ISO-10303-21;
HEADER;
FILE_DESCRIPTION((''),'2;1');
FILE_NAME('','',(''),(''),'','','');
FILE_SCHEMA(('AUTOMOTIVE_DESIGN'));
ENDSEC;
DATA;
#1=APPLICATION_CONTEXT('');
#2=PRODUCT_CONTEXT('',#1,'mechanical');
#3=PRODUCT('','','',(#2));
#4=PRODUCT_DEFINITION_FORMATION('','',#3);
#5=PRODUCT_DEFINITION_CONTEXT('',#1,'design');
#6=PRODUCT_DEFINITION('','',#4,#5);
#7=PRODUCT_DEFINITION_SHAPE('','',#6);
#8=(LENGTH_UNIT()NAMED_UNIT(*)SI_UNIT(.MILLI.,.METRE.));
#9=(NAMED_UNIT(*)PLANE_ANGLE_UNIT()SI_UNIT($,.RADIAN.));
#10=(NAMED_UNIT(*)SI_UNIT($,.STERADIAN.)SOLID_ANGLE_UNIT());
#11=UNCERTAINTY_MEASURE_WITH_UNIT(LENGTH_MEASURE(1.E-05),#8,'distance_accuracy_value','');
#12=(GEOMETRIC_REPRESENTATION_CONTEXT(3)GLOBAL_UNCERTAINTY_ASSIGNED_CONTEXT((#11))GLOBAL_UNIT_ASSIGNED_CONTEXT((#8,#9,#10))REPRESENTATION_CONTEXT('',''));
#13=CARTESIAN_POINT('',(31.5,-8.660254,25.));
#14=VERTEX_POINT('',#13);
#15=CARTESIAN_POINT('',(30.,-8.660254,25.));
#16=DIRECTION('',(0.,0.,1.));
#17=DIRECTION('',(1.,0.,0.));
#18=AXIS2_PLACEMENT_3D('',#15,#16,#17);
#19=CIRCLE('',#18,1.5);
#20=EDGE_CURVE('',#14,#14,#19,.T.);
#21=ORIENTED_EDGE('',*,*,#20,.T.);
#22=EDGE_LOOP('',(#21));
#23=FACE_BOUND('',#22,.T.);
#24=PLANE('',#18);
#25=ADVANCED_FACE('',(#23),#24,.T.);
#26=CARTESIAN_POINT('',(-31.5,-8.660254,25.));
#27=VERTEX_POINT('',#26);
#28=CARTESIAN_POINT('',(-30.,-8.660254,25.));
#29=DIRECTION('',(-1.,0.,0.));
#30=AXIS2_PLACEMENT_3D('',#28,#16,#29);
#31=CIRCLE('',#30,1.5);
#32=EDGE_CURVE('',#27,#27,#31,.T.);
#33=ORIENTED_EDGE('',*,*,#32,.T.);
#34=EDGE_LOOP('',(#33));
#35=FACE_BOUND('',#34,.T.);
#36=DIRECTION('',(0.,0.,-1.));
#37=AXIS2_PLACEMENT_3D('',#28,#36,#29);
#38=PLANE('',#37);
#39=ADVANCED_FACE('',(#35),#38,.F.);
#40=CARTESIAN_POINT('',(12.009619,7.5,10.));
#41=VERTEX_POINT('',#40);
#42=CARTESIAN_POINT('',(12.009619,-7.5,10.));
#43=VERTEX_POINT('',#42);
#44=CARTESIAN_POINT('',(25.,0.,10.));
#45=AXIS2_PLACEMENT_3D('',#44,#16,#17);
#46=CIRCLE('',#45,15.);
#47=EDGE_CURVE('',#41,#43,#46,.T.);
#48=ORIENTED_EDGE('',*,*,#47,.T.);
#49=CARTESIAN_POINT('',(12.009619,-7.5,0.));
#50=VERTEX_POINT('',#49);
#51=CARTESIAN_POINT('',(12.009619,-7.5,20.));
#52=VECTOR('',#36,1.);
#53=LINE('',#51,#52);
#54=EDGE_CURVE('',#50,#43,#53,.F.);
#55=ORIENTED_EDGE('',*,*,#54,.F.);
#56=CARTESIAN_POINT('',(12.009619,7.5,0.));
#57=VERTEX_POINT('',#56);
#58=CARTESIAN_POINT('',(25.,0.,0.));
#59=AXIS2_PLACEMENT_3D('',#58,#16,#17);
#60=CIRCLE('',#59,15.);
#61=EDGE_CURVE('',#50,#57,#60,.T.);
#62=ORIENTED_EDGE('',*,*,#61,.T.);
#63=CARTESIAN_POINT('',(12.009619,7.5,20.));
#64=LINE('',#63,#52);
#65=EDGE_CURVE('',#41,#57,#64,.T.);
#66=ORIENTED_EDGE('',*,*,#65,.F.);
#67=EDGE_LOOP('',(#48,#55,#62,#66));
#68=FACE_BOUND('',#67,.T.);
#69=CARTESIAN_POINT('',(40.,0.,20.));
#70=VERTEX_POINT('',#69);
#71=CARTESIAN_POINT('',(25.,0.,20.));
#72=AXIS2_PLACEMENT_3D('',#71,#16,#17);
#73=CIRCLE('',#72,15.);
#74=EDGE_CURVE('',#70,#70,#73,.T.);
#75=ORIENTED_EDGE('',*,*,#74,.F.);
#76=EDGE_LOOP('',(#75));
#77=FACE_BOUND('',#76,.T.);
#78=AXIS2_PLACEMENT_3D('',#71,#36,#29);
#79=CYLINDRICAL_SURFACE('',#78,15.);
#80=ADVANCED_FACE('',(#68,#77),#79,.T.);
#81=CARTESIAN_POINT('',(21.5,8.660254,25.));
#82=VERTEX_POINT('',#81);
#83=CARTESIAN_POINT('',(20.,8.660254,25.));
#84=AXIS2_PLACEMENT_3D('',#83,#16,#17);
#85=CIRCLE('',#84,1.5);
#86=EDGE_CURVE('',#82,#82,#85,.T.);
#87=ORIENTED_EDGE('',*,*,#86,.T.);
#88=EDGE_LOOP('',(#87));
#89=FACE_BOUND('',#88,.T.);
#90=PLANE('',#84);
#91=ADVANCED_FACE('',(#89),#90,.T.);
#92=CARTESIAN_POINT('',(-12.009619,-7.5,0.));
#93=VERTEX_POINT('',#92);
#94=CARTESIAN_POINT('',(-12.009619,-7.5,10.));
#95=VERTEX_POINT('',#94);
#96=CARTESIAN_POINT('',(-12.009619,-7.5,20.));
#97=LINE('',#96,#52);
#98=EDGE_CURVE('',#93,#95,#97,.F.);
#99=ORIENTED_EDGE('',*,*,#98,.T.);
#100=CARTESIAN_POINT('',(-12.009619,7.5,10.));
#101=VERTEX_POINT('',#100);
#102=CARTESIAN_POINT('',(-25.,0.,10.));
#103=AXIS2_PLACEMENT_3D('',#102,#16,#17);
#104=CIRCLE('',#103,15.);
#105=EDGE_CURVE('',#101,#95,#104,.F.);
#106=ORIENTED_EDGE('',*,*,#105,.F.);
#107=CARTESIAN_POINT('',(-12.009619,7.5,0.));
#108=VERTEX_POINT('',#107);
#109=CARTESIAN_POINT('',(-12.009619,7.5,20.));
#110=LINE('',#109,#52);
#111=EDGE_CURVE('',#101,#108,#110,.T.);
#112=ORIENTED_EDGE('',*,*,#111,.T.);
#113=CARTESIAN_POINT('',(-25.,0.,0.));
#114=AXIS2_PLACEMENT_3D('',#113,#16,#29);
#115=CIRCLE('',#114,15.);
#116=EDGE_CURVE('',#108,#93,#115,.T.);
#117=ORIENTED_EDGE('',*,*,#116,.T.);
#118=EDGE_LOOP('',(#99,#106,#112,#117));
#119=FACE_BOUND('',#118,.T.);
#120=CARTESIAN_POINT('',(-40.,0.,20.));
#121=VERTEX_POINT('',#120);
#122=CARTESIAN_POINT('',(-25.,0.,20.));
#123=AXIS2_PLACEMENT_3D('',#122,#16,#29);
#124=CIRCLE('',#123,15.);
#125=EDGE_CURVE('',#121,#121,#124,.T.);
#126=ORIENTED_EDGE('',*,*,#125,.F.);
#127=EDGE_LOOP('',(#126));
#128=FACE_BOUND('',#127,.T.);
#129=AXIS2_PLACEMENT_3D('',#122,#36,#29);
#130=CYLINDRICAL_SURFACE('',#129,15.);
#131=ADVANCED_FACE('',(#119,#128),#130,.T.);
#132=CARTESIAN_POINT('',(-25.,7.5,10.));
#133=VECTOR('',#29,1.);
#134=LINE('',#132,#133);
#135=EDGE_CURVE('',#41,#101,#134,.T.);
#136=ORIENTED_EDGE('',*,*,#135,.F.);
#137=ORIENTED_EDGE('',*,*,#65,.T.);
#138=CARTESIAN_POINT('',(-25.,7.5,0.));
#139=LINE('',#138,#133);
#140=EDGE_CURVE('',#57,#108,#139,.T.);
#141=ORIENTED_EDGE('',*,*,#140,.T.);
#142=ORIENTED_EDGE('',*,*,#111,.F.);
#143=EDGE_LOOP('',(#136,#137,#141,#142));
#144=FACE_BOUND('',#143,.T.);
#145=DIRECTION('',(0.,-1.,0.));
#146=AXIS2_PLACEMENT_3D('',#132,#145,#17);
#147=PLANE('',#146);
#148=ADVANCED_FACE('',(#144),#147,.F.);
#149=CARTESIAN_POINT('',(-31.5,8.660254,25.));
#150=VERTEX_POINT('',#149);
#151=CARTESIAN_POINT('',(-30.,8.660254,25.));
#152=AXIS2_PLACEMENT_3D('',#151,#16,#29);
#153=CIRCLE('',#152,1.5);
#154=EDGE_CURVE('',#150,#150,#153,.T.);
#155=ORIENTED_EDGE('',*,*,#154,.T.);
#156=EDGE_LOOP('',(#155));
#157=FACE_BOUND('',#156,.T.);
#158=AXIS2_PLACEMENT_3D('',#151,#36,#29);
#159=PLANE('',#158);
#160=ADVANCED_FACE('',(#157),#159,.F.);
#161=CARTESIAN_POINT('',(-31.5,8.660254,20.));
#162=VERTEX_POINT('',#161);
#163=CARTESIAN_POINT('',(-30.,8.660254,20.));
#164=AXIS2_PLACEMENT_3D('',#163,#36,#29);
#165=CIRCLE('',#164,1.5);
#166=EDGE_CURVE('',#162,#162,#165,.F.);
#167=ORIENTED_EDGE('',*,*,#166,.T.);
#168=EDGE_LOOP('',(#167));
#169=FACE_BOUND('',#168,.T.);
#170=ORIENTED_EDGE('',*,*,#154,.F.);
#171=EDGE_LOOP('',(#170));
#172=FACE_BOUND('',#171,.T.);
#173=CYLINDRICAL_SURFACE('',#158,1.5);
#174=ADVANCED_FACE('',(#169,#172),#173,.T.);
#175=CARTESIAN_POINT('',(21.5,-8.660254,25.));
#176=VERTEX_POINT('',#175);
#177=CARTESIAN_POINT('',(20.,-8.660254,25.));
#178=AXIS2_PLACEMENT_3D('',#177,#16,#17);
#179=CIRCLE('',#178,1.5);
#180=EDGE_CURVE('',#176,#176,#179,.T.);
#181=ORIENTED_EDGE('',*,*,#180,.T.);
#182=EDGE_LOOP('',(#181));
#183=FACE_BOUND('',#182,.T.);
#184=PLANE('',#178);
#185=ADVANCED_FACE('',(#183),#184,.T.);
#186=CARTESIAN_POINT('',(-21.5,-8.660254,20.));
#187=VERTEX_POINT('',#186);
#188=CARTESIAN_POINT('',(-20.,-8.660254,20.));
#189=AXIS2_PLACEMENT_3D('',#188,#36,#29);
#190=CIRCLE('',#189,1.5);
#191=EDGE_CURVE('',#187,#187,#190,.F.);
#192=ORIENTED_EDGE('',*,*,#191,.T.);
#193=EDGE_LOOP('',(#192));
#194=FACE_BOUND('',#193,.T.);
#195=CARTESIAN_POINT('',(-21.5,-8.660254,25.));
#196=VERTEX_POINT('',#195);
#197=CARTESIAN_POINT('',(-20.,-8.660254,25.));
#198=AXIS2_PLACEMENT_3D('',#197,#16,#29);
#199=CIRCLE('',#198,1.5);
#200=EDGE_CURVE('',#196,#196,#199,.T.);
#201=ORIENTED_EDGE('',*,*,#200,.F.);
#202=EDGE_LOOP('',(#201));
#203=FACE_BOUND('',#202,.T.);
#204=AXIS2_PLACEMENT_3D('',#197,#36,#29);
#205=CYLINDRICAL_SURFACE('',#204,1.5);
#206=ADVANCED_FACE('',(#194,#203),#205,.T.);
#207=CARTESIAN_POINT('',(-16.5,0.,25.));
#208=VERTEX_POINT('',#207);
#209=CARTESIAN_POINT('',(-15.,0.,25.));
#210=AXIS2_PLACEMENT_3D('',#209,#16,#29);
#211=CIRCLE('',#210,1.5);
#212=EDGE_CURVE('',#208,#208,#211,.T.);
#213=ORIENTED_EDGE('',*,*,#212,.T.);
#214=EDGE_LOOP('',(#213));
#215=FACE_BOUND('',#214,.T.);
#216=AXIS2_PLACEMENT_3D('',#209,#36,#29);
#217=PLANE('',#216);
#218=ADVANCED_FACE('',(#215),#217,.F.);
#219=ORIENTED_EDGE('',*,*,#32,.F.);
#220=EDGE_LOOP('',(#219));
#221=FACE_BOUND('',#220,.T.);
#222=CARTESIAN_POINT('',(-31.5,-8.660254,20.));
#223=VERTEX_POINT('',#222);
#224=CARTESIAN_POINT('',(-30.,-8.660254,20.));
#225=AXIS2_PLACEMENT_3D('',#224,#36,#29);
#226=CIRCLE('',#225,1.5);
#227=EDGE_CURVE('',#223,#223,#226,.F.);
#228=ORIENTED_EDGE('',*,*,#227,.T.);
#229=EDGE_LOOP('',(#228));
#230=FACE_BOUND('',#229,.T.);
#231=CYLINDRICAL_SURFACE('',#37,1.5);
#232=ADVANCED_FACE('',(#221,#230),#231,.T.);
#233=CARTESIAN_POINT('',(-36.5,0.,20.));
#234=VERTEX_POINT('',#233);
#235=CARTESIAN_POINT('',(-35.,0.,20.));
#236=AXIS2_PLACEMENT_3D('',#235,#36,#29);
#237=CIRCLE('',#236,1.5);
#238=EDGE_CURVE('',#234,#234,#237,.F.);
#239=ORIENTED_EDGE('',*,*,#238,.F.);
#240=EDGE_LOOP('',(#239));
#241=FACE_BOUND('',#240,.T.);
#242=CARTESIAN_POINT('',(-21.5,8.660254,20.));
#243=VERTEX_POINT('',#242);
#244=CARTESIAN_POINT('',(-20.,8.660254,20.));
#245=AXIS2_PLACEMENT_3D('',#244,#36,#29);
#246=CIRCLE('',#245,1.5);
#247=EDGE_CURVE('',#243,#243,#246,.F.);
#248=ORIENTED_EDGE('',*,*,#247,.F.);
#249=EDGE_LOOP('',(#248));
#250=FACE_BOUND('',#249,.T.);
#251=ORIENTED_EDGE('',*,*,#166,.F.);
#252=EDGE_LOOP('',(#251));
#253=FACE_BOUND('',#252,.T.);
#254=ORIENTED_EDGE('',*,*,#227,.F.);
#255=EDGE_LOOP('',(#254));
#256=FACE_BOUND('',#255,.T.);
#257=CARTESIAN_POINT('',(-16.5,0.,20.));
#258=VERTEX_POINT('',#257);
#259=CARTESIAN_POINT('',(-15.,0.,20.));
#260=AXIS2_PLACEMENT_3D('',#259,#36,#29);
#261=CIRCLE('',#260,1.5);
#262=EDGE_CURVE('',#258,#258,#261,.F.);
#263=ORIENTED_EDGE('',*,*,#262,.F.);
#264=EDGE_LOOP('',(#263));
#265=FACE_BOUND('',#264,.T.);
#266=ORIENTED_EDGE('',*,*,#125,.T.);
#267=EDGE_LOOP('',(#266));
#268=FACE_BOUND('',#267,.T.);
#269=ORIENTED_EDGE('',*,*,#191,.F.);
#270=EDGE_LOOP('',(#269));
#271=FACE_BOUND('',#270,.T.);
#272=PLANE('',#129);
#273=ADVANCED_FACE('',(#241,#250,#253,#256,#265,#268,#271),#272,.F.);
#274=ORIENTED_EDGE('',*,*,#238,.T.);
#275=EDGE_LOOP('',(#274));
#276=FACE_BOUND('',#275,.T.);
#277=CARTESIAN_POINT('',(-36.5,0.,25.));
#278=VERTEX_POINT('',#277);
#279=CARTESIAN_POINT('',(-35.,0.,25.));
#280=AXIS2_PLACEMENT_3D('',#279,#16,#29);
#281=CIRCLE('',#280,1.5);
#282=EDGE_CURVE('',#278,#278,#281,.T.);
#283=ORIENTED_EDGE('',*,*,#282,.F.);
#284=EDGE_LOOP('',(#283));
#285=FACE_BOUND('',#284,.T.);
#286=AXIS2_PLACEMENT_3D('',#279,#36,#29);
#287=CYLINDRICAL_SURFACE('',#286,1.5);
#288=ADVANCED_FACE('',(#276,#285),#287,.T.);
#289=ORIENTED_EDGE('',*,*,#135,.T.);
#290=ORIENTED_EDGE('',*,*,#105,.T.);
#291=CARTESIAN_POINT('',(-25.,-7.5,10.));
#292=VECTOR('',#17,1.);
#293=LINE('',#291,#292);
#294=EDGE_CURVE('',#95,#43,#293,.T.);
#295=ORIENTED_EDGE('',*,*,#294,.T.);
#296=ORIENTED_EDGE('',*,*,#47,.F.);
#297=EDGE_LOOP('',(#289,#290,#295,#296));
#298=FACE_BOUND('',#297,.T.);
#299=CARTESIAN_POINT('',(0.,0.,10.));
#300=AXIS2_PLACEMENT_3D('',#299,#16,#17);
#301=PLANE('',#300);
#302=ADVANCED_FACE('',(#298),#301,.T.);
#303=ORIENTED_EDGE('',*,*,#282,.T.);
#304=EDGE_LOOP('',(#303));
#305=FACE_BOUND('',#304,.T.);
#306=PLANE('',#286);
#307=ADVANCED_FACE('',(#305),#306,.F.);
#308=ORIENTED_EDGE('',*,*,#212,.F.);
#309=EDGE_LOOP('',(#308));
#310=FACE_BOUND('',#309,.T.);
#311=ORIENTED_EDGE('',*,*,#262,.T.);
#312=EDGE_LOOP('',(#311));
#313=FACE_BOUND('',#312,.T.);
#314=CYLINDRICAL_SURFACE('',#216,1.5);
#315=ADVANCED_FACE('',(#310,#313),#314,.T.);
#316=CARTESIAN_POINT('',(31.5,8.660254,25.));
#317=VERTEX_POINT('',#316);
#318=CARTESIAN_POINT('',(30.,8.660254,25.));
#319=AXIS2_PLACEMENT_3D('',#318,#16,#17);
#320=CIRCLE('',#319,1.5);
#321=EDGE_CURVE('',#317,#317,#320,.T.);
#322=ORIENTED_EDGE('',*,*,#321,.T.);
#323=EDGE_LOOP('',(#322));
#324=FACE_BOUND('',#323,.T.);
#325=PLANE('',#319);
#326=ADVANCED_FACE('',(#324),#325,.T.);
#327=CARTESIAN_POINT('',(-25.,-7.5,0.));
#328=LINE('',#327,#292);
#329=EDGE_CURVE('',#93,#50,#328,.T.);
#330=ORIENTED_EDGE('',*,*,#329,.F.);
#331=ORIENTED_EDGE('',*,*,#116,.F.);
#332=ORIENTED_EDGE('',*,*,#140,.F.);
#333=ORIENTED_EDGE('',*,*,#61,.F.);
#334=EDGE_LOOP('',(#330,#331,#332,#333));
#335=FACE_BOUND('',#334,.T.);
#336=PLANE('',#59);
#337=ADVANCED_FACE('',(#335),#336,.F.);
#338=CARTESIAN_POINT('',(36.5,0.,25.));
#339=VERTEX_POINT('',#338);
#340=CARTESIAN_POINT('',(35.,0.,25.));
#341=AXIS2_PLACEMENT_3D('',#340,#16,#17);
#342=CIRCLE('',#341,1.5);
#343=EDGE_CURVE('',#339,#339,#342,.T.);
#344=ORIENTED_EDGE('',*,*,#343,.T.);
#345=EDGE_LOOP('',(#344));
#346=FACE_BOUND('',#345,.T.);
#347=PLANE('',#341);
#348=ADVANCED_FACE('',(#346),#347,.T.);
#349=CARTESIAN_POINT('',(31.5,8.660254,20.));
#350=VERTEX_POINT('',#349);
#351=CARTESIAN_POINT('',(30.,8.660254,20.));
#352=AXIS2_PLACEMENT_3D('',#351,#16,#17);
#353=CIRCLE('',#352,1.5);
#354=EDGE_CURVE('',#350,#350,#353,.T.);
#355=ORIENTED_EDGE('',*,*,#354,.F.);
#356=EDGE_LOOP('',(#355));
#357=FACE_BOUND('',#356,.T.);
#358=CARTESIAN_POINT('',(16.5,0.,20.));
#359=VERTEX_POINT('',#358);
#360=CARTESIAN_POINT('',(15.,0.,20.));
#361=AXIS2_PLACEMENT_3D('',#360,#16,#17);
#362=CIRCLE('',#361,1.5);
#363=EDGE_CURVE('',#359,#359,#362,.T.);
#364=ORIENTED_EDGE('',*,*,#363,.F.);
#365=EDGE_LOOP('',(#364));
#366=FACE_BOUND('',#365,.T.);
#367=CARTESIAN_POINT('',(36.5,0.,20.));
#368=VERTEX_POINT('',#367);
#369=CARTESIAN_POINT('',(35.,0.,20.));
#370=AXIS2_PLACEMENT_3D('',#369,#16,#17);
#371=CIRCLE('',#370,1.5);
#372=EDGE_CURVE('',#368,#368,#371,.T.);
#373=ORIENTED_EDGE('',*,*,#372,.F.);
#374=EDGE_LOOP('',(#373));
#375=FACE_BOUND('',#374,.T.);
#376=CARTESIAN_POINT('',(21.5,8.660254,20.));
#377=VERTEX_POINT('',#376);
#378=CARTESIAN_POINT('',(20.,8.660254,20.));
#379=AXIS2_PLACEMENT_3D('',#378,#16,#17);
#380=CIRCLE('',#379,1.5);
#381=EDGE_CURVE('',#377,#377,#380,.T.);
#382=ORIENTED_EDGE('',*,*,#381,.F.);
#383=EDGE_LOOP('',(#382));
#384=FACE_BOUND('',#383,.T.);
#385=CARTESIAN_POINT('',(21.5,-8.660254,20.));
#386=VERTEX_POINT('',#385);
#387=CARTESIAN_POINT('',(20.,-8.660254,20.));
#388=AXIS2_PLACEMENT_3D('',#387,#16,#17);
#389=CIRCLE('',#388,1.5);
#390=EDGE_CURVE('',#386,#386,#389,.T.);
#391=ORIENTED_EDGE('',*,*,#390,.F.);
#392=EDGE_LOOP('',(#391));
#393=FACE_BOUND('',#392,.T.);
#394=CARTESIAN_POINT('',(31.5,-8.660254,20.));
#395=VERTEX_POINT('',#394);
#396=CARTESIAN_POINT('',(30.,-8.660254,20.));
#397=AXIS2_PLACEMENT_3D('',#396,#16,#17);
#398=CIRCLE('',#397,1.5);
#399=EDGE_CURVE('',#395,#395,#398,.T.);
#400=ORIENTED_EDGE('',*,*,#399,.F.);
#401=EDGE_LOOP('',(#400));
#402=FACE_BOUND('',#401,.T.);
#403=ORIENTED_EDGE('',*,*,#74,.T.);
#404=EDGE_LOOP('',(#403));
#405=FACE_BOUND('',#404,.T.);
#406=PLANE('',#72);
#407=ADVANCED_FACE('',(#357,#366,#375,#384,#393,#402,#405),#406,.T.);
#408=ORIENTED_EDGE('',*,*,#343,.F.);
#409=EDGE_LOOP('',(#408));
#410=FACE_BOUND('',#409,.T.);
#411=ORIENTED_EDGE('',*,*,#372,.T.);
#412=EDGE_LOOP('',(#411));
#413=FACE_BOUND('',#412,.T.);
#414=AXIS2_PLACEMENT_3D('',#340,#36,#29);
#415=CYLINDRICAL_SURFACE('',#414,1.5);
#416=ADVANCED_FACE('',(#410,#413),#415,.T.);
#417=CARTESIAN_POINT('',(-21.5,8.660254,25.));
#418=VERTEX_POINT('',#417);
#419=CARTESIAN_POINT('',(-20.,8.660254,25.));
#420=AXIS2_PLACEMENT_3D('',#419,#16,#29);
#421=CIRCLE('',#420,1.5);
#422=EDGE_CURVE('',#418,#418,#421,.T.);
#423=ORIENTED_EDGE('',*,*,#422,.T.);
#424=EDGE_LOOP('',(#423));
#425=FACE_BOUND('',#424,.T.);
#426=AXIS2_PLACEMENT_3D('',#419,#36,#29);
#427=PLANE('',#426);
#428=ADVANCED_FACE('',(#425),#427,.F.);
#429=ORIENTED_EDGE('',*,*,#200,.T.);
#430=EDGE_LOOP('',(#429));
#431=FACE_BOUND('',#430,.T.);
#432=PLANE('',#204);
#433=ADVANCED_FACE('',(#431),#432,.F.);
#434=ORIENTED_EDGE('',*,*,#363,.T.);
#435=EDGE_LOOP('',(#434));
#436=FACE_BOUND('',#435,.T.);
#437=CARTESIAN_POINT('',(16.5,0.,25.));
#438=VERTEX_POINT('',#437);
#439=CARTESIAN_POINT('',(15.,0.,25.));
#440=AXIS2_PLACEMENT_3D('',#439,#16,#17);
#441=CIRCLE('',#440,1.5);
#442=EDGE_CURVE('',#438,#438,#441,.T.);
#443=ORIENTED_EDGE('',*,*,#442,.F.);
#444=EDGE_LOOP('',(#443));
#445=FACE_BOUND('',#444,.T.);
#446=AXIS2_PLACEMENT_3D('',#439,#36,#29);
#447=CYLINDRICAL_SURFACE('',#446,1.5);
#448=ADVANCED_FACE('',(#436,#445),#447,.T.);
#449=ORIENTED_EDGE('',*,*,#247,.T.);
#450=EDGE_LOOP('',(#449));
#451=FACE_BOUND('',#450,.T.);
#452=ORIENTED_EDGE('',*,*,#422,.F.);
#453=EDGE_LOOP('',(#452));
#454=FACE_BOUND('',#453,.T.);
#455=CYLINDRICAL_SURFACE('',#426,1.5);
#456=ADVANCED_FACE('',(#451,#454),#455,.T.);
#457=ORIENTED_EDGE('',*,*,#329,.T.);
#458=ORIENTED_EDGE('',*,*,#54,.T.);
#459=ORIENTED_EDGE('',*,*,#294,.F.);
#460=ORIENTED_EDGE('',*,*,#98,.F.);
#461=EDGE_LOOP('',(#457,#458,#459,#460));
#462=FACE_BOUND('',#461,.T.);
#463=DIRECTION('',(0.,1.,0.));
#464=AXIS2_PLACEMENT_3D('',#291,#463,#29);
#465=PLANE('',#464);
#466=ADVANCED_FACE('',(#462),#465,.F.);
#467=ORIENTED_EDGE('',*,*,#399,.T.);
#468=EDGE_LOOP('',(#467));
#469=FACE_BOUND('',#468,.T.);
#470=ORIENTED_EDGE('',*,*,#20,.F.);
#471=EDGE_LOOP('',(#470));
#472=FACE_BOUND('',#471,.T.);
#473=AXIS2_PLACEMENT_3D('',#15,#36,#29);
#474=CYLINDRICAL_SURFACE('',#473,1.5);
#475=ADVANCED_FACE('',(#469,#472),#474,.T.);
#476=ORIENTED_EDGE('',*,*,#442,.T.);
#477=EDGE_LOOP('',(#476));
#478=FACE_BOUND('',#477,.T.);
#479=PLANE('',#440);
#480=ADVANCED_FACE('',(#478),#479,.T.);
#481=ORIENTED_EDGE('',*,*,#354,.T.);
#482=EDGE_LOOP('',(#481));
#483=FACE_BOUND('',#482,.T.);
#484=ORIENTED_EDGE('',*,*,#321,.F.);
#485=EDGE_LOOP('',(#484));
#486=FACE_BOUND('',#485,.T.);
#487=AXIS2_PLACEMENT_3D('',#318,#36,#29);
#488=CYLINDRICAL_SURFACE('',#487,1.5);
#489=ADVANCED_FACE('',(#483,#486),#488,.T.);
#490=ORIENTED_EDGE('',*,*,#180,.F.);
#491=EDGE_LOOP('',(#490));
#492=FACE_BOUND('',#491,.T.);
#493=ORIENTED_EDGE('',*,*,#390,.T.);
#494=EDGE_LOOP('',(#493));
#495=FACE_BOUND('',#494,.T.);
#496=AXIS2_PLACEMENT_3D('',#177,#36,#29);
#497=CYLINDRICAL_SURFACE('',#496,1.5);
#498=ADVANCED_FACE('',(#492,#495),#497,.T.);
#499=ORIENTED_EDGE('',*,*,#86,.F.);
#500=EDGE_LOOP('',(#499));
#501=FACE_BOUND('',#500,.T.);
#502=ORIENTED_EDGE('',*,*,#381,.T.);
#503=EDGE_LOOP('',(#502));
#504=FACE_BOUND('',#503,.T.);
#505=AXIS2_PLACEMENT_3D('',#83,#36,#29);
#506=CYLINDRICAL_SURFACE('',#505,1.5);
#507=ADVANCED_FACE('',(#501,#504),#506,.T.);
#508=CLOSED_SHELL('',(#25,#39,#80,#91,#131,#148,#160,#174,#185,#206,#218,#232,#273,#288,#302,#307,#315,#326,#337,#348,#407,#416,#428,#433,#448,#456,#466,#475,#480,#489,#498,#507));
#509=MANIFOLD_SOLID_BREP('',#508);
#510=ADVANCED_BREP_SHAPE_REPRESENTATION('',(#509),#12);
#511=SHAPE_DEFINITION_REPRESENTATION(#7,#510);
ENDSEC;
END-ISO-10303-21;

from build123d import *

# Parameters (mm, degrees)
SKETCH1_R             = 15
BOSS_EXTRUDE1_DEPTH   = 20
BOSS_EXTRUDE1_2_DEPTH = 20
SKETCH2_R             = 1.5
BOSS_EXTRUDE2_DEPTH   = 5
SKETCH3_W             = 50
SKETCH3_H             = 15
BOSS_EXTRUDE3_DEPTH   = 10


with BuildPart() as part:
    # Sketch1 → Boss-Extrude1 (new body)
    with BuildSketch(Plane.XY):
        with Locations((25, 0)):
            Circle(SKETCH1_R)
    extrude(amount=BOSS_EXTRUDE1_DEPTH)



with BuildPart() as body_2:
    # Sketch1 → Boss-Extrude1 2 (new body)
    with BuildSketch(Plane.XY):
        with Locations((-25, 0)):
            Circle(SKETCH1_R)
    extrude(amount=BOSS_EXTRUDE1_2_DEPTH)


with BuildPart() as part_1:
    add(part.part)

    add(body_2.part)  # Boss-Extrude2 merges body 2
    # Sketch2 → Boss-Extrude2 (add)
    with BuildSketch(Plane.XY.offset(20)):
        with Locations((35, 0)):
            Circle(SKETCH2_R)
        with Locations((30, -8.660254038)):
            Circle(SKETCH2_R)
        with Locations((20, -8.660254038)):
            Circle(SKETCH2_R)
        with Locations((15, 0)):
            Circle(SKETCH2_R)
        with Locations((20, 8.660254038)):
            Circle(SKETCH2_R)
        with Locations((30, 8.660254038)):
            Circle(SKETCH2_R)
        with Locations((-15, 0)):
            Circle(SKETCH2_R)
        with Locations((-20, -8.660254038)):
            Circle(SKETCH2_R)
        with Locations((-30, -8.660254038)):
            Circle(SKETCH2_R)
        with Locations((-35, 0)):
            Circle(SKETCH2_R)
        with Locations((-30, 8.660254038)):
            Circle(SKETCH2_R)
        with Locations((-20, 8.660254038)):
            Circle(SKETCH2_R)
    extrude(amount=BOSS_EXTRUDE2_DEPTH)

    # Sketch3 → Boss-Extrude3 (add)
    with BuildSketch(Plane.XY):
        Rectangle(SKETCH3_W, SKETCH3_H)
    extrude(amount=BOSS_EXTRUDE3_DEPTH)


solid = part_1.part
